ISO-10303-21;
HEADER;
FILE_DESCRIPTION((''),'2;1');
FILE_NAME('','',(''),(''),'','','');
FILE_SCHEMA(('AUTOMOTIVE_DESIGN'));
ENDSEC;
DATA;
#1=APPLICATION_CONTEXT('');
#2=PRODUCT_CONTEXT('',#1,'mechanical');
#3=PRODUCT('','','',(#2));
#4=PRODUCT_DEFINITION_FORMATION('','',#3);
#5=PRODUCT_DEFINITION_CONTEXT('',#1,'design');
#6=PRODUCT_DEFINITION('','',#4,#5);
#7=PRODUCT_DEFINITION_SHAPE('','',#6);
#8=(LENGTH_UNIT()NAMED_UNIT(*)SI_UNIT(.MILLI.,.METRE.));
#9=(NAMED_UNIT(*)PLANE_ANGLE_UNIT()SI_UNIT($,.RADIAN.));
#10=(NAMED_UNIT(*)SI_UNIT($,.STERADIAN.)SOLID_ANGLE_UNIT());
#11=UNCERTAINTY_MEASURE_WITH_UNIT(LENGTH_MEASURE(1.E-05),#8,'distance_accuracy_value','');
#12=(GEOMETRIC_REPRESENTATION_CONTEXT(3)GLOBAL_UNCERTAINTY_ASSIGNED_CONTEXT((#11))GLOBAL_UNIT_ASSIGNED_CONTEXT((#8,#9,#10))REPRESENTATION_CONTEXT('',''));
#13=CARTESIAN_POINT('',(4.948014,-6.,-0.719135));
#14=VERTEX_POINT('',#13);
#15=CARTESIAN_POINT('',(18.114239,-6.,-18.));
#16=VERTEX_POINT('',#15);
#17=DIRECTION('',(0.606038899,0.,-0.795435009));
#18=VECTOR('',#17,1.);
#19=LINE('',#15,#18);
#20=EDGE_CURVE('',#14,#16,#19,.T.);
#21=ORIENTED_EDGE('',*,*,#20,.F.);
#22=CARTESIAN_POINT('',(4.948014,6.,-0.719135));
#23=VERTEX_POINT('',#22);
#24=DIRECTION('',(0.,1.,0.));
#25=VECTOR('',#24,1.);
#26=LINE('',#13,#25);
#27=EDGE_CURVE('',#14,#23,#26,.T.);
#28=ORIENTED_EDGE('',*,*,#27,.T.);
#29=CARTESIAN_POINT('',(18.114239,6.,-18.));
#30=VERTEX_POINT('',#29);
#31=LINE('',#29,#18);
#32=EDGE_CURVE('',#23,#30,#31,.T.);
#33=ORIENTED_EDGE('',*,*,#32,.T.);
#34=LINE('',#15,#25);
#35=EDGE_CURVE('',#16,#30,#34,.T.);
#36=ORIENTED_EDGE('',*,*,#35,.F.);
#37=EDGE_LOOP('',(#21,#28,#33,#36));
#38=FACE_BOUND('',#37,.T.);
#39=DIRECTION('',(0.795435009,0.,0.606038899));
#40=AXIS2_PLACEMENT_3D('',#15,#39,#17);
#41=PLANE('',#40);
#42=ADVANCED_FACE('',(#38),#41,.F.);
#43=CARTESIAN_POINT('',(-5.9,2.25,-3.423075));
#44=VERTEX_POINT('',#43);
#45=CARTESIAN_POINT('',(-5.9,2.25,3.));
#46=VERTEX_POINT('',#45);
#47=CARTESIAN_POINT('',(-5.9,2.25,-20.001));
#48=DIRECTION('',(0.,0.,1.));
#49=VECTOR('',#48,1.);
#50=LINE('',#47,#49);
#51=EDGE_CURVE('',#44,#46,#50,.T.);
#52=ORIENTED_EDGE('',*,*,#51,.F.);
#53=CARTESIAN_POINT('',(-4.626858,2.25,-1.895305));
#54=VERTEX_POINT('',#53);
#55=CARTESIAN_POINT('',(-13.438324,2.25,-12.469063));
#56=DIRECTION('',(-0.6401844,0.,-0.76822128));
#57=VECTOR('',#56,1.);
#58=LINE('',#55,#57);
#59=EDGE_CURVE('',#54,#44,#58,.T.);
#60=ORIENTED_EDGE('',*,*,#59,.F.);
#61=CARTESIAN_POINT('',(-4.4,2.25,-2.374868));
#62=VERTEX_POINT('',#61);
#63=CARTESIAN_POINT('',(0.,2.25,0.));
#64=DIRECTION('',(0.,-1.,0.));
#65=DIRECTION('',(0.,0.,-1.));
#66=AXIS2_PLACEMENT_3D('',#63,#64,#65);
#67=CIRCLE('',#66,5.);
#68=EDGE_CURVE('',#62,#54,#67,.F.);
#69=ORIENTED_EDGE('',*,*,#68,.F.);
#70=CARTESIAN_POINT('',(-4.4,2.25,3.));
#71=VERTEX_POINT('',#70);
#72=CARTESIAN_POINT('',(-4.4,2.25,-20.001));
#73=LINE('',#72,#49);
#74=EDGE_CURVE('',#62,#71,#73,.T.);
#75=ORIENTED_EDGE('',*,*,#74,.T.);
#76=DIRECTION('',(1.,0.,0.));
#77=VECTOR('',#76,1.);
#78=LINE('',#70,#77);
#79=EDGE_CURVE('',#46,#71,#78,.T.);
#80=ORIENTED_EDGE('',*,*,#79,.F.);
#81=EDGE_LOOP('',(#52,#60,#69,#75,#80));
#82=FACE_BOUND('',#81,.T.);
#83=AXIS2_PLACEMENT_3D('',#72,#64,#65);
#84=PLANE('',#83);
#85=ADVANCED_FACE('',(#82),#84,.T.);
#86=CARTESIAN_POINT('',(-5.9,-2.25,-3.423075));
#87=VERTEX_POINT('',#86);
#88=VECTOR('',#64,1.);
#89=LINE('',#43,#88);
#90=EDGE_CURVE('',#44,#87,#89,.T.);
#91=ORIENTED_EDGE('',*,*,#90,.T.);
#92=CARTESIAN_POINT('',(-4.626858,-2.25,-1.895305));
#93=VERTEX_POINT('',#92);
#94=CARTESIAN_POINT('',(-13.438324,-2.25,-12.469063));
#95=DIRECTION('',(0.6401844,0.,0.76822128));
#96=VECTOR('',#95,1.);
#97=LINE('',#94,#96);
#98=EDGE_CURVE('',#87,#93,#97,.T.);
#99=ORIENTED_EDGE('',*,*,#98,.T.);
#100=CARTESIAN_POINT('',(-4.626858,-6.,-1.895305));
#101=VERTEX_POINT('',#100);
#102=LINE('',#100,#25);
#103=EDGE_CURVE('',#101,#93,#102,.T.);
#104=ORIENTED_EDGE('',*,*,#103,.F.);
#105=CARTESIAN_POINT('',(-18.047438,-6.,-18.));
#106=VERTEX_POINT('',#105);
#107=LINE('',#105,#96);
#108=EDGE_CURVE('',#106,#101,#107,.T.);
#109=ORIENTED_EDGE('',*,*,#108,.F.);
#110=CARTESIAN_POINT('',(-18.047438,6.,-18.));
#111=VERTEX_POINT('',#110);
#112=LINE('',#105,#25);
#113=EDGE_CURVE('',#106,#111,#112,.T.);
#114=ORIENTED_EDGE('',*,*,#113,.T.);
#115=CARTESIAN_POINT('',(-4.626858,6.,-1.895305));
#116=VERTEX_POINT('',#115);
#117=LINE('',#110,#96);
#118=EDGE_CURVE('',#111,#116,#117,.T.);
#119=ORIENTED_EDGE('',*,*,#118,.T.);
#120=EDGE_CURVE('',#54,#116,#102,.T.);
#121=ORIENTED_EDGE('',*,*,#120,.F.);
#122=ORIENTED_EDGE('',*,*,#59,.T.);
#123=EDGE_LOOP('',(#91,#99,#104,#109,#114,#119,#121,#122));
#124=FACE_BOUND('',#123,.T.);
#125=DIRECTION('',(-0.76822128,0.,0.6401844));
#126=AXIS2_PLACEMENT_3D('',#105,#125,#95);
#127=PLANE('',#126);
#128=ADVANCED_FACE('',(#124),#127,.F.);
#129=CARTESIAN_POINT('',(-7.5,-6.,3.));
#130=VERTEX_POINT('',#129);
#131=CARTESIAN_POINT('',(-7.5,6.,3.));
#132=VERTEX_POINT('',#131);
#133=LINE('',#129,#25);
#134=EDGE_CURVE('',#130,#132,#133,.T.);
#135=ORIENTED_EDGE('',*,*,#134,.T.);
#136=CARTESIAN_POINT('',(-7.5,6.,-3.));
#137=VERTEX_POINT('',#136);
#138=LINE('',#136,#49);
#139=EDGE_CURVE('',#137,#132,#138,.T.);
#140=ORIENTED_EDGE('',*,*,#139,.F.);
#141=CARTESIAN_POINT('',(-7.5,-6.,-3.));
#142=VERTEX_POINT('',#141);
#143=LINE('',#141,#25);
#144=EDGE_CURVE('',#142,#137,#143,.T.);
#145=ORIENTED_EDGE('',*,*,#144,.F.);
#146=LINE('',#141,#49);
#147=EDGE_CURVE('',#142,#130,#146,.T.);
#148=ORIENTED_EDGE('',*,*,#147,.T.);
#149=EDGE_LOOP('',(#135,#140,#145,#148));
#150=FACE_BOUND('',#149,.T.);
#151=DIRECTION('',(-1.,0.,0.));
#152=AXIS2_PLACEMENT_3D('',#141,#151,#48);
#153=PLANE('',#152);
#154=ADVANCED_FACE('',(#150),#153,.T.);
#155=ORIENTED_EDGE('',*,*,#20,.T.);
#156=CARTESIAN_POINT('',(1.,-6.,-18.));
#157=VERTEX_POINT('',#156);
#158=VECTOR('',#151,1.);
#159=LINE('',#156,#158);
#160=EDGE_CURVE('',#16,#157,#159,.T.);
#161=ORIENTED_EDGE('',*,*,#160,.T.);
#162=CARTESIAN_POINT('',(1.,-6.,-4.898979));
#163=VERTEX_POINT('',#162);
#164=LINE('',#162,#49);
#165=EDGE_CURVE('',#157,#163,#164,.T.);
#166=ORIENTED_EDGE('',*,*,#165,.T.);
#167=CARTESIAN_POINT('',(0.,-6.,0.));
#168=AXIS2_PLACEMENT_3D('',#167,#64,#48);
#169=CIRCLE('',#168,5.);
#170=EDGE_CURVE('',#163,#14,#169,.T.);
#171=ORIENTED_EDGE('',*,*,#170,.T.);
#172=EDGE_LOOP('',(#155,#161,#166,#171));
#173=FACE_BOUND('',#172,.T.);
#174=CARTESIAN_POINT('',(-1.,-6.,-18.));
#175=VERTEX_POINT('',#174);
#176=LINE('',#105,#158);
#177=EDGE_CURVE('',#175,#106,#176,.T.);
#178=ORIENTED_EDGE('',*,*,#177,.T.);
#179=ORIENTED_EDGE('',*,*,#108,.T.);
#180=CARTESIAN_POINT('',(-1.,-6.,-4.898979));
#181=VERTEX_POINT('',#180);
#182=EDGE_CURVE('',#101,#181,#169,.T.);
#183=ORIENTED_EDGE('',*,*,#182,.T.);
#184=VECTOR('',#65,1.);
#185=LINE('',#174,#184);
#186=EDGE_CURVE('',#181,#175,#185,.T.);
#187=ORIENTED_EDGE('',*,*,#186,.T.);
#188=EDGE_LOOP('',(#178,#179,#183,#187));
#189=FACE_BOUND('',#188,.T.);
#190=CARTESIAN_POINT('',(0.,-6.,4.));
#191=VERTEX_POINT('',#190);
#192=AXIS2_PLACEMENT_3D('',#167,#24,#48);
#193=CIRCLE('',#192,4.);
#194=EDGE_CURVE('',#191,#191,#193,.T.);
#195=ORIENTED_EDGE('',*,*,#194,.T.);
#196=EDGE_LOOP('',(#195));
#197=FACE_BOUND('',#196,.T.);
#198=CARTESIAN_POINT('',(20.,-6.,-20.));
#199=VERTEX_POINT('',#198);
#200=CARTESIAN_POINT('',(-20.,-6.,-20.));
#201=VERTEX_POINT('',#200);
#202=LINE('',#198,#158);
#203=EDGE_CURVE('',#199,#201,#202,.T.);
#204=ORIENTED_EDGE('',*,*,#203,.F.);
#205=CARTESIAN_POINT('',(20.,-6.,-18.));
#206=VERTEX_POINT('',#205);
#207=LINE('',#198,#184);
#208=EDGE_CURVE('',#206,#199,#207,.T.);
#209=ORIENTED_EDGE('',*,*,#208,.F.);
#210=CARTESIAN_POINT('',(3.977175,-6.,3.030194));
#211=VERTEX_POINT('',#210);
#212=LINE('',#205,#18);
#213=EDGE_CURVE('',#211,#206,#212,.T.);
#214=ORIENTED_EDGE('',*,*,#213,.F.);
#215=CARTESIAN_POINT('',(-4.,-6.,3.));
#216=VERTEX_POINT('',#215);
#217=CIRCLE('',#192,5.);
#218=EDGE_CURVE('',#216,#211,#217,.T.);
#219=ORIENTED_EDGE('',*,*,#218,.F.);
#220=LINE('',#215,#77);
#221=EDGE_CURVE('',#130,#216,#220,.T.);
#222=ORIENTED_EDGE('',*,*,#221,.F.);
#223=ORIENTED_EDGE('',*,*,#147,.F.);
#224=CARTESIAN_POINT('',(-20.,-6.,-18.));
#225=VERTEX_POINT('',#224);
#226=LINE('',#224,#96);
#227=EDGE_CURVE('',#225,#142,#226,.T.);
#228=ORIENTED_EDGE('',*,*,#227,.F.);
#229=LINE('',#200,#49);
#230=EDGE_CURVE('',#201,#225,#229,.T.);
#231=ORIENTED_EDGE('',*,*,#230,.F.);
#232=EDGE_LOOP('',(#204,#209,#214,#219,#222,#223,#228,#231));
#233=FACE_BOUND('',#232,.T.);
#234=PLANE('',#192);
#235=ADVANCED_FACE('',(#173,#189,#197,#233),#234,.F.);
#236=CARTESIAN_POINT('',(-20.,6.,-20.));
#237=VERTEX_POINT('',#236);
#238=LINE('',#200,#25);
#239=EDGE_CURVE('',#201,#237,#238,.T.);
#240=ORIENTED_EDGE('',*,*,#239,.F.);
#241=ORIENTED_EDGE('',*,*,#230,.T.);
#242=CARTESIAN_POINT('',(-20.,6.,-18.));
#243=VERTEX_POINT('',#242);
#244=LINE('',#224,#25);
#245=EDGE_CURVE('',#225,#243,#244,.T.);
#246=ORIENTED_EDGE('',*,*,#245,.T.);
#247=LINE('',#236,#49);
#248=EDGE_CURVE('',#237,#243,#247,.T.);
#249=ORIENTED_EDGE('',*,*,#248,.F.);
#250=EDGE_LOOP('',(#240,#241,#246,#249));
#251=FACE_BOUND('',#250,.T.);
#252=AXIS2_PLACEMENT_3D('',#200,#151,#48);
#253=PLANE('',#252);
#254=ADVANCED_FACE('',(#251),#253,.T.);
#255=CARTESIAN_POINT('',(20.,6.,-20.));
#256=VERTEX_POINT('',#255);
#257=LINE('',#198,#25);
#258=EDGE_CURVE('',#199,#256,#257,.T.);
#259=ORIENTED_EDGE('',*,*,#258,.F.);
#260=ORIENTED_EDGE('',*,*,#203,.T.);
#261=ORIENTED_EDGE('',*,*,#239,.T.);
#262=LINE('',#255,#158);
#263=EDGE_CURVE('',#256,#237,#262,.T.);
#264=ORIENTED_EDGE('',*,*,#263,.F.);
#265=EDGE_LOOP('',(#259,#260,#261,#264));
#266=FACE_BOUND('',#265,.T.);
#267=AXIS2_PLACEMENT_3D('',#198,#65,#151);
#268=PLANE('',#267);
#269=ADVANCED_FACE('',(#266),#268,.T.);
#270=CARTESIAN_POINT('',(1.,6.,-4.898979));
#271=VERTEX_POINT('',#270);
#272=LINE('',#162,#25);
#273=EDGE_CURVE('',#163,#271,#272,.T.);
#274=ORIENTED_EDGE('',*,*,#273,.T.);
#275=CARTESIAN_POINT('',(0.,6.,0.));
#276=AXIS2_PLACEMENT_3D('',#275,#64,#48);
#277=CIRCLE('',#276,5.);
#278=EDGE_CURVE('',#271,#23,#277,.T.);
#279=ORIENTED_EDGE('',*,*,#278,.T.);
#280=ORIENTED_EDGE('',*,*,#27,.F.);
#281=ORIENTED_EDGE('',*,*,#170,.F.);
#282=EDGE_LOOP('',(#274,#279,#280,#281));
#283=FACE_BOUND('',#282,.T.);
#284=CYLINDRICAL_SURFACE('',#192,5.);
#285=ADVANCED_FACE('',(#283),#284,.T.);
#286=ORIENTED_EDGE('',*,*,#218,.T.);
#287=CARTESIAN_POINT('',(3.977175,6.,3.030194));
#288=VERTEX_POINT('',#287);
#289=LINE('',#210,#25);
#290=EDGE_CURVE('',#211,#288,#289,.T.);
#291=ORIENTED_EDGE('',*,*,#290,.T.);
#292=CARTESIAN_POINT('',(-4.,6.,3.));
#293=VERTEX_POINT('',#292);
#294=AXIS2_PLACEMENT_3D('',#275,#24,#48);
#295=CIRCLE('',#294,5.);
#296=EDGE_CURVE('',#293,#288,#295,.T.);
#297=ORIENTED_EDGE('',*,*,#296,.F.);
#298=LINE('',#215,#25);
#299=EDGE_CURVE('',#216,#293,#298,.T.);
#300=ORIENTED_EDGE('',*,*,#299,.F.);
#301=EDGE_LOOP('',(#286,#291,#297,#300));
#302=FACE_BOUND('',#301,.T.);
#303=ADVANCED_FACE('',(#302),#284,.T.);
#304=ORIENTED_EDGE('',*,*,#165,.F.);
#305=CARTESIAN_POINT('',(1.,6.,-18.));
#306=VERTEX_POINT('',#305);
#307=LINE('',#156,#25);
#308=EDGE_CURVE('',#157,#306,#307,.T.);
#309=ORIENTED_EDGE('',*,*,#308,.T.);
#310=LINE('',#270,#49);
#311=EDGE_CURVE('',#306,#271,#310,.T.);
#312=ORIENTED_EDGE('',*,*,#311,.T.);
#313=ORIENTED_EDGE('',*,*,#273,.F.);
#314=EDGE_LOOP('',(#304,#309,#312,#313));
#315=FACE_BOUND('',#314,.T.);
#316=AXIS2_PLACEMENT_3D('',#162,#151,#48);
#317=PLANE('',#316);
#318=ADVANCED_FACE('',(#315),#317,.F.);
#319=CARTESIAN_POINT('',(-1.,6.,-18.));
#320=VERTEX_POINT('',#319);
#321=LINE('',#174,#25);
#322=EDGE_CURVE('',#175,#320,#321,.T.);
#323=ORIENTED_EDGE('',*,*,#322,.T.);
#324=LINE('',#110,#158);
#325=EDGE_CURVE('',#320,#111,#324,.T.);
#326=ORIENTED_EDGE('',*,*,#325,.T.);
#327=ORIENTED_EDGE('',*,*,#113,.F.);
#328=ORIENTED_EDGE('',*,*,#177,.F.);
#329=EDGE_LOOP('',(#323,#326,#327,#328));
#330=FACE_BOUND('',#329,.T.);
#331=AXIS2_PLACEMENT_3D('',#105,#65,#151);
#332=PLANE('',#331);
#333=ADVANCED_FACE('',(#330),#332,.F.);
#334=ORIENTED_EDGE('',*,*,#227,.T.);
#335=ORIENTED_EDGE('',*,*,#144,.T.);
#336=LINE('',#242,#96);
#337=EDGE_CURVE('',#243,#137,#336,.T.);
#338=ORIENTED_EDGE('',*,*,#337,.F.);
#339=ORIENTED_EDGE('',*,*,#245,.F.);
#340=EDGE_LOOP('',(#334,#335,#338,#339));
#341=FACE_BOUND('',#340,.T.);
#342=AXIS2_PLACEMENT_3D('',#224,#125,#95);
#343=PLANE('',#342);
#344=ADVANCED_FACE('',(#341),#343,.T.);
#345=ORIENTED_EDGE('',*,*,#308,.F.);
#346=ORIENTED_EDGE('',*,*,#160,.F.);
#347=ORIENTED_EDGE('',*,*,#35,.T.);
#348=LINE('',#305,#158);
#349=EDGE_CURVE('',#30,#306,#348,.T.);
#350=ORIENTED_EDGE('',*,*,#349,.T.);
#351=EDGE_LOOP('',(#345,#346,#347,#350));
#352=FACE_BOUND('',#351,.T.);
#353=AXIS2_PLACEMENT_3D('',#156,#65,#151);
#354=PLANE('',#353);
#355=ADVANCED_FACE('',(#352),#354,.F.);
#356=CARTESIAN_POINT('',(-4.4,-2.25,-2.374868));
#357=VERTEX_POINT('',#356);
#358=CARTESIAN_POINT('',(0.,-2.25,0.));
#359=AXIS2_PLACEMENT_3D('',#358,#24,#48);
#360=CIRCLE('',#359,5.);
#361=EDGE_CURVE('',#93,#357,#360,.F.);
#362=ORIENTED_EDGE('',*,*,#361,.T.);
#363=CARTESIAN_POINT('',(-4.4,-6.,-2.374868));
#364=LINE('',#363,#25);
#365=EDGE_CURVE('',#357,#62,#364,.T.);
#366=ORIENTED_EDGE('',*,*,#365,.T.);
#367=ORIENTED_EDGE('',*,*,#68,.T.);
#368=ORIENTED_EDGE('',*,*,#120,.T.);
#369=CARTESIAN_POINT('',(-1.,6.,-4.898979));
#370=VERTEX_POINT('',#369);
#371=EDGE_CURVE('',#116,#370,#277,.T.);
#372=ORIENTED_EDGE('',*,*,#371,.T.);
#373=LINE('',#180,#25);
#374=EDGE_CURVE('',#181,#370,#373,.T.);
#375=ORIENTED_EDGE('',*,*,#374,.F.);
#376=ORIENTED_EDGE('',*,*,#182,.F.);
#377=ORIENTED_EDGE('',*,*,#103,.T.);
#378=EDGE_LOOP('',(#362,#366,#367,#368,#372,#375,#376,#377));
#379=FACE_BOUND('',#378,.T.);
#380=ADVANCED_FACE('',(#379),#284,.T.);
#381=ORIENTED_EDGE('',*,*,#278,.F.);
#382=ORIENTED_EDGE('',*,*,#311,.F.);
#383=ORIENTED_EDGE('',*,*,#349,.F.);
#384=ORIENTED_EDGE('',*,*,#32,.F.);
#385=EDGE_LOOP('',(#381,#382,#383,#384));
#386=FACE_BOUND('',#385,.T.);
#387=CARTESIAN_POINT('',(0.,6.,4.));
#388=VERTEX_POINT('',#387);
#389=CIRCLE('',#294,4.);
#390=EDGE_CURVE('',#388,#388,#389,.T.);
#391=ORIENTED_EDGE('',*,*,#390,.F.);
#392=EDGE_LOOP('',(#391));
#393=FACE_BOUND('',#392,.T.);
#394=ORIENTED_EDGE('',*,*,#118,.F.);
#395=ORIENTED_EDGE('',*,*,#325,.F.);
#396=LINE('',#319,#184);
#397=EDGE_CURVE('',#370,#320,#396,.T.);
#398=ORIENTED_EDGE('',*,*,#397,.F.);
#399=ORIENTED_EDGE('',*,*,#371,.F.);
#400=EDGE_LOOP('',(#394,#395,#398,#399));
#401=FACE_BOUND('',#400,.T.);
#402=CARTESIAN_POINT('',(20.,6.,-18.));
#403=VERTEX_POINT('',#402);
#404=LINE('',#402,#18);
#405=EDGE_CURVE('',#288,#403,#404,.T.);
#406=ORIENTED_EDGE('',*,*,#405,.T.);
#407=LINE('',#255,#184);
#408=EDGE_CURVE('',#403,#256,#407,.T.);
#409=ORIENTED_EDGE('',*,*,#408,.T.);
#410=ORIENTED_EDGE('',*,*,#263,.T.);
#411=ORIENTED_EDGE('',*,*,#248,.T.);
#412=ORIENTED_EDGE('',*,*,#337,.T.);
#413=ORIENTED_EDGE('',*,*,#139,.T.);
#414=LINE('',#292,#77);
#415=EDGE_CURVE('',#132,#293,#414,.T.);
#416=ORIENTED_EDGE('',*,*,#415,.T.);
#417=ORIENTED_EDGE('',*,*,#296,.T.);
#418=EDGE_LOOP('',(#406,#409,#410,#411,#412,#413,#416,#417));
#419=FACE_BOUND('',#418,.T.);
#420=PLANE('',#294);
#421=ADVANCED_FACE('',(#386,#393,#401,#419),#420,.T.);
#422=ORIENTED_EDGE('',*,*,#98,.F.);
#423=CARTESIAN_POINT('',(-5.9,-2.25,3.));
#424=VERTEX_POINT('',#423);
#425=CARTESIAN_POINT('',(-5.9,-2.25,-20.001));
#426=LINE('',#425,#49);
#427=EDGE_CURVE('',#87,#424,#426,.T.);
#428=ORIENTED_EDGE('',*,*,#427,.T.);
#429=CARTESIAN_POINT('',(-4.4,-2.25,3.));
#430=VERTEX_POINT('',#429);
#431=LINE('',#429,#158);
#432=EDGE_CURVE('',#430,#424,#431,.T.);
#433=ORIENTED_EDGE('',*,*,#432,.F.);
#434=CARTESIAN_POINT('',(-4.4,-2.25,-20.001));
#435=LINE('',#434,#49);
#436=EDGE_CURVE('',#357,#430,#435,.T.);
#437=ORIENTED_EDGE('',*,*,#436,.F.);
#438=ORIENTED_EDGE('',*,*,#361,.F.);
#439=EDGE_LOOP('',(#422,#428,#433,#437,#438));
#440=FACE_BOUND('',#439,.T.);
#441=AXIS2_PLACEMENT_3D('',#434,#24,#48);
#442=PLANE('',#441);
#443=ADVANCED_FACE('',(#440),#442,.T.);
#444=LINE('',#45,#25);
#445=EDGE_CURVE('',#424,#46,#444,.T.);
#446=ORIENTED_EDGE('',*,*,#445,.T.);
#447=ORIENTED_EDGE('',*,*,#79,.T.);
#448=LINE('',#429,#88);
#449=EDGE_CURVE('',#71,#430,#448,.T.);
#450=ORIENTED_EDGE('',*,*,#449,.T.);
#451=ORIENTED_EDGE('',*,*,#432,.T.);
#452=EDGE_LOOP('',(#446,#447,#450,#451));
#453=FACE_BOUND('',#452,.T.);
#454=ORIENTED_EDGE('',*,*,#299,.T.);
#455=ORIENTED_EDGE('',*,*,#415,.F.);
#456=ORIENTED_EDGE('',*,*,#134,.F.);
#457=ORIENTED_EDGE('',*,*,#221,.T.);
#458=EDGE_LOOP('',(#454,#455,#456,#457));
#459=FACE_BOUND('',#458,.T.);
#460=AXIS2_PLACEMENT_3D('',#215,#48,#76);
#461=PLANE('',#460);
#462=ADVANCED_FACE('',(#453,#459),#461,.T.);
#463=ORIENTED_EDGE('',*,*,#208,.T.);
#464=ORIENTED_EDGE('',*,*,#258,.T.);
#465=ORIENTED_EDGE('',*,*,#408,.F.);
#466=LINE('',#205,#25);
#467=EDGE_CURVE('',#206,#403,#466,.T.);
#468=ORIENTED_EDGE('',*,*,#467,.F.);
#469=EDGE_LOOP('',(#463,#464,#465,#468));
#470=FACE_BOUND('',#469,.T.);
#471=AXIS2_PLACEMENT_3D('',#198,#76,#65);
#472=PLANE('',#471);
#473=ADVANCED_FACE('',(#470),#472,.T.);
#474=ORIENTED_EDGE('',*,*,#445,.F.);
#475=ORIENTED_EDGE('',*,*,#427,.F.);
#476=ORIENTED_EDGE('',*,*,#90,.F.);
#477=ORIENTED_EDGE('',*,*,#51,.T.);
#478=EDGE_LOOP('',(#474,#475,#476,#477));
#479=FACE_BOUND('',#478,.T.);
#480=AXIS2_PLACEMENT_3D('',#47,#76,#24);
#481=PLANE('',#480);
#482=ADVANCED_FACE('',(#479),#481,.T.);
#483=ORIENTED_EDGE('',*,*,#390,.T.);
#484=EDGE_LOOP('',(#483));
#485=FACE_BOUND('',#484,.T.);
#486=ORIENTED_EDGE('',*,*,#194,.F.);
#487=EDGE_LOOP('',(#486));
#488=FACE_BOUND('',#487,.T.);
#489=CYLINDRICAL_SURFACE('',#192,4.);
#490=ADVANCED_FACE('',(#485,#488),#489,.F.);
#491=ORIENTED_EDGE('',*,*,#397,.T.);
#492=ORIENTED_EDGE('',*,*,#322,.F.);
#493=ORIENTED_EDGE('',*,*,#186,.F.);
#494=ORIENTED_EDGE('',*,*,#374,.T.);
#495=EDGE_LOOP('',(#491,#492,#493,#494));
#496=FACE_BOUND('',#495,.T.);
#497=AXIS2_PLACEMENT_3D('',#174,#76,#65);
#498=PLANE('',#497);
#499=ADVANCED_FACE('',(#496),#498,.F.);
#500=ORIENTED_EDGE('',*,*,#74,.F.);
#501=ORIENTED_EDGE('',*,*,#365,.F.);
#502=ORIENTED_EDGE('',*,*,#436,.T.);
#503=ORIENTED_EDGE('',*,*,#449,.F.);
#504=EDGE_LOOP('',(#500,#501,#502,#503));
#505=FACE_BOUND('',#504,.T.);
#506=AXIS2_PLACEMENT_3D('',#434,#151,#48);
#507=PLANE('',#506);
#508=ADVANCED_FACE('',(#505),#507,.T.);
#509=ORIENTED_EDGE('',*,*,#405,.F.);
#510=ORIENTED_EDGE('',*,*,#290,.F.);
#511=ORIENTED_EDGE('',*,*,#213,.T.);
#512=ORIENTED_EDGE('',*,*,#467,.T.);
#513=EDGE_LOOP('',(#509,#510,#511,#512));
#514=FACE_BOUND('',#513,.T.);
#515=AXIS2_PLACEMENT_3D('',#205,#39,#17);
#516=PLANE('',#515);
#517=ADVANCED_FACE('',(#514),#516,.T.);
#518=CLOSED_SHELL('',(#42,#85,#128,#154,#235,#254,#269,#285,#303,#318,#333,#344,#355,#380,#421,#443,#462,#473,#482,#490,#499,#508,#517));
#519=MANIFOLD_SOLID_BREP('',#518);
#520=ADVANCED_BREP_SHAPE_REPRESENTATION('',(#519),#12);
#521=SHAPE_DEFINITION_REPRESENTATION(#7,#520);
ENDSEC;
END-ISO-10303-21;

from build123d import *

# Parameters (mm, degrees)
BOSS_EXTRUDE1_DEPTH      = 6
BOSS_EXTRUDE1_DEPTH_BACK = 6
SKETCH1_R                = 4
CUT_EXTRUDE1_REACH       = 33.064
SKETCH2_W                = 1.5
SKETCH2_H                = 4.5


with BuildPart() as part:
    # Sketch1 → Boss-Extrude1 (new, two sides: drawn at the far end of the back side and taken through both)
    with BuildSketch(Plane(origin=(0, 0, 0), x_dir=(1, 0, 0), z_dir=(0, 1, 0)).offset(-BOSS_EXTRUDE1_DEPTH_BACK)):
        with BuildLine():
            Line((-7.5, 3), (-7.5, -3))
            Line((-7.5, -3), (-4, -3))
            ThreePointArc((-4, -3), (-0.01892542, -4.999964183), (3.977175044, -3.030194493))
            Line((3.977175044, -3.030194493), (20, 18))
            Line((20, 18), (20, 20))
            Line((20, 20), (-20, 20))
            Line((-20, 20), (-20, 18))
            Line((-20, 18), (-7.5, 3))
        make_face()
        Circle(SKETCH1_R, mode=Mode.SUBTRACT)
        with BuildLine():
            Line((-18.047437581, 18), (-1, 18))
            Line((-1, 18), (-1, 4.898979486))
            ThreePointArc((-1, 4.898979486), (-3.189184695, 3.850857175), (-4.626858427, 1.895305015))
            Line((-4.626858427, 1.895305015), (-18.047437581, 18))
        make_face(mode=Mode.SUBTRACT)
        with BuildLine():
            Line((1, 4.898979486), (1, 18))
            Line((1, 18), (18.114239399, 18))
            Line((18.114239399, 18), (4.948014241, 0.719134947))
            ThreePointArc((4.948014241, 0.719134947), (3.634899372, 3.433293835), (1, 4.898979486))
        make_face(mode=Mode.SUBTRACT)
    extrude(amount=BOSS_EXTRUDE1_DEPTH + BOSS_EXTRUDE1_DEPTH_BACK)

    # Sketch2 → Cut-Extrude1 (cut, up to next)
    with BuildSketch(Plane(origin=(0, 0, 3), x_dir=(-1, 0, 0), z_dir=(0, 0, -1)), mode=Mode.PRIVATE) as cut_extrude1_sk1:
        with Locations((5.15, 0)):
            Rectangle(SKETCH2_W, SKETCH2_H)
    cut_extrude1_tool1 = extrude(cut_extrude1_sk1.sketch, amount=CUT_EXTRUDE1_REACH, mode=Mode.PRIVATE) & part.part
    add(cut_extrude1_tool1.solids().sort_by_distance((-5.15, 0, 3))[0], mode=Mode.SUBTRACT)


solid = part.part
